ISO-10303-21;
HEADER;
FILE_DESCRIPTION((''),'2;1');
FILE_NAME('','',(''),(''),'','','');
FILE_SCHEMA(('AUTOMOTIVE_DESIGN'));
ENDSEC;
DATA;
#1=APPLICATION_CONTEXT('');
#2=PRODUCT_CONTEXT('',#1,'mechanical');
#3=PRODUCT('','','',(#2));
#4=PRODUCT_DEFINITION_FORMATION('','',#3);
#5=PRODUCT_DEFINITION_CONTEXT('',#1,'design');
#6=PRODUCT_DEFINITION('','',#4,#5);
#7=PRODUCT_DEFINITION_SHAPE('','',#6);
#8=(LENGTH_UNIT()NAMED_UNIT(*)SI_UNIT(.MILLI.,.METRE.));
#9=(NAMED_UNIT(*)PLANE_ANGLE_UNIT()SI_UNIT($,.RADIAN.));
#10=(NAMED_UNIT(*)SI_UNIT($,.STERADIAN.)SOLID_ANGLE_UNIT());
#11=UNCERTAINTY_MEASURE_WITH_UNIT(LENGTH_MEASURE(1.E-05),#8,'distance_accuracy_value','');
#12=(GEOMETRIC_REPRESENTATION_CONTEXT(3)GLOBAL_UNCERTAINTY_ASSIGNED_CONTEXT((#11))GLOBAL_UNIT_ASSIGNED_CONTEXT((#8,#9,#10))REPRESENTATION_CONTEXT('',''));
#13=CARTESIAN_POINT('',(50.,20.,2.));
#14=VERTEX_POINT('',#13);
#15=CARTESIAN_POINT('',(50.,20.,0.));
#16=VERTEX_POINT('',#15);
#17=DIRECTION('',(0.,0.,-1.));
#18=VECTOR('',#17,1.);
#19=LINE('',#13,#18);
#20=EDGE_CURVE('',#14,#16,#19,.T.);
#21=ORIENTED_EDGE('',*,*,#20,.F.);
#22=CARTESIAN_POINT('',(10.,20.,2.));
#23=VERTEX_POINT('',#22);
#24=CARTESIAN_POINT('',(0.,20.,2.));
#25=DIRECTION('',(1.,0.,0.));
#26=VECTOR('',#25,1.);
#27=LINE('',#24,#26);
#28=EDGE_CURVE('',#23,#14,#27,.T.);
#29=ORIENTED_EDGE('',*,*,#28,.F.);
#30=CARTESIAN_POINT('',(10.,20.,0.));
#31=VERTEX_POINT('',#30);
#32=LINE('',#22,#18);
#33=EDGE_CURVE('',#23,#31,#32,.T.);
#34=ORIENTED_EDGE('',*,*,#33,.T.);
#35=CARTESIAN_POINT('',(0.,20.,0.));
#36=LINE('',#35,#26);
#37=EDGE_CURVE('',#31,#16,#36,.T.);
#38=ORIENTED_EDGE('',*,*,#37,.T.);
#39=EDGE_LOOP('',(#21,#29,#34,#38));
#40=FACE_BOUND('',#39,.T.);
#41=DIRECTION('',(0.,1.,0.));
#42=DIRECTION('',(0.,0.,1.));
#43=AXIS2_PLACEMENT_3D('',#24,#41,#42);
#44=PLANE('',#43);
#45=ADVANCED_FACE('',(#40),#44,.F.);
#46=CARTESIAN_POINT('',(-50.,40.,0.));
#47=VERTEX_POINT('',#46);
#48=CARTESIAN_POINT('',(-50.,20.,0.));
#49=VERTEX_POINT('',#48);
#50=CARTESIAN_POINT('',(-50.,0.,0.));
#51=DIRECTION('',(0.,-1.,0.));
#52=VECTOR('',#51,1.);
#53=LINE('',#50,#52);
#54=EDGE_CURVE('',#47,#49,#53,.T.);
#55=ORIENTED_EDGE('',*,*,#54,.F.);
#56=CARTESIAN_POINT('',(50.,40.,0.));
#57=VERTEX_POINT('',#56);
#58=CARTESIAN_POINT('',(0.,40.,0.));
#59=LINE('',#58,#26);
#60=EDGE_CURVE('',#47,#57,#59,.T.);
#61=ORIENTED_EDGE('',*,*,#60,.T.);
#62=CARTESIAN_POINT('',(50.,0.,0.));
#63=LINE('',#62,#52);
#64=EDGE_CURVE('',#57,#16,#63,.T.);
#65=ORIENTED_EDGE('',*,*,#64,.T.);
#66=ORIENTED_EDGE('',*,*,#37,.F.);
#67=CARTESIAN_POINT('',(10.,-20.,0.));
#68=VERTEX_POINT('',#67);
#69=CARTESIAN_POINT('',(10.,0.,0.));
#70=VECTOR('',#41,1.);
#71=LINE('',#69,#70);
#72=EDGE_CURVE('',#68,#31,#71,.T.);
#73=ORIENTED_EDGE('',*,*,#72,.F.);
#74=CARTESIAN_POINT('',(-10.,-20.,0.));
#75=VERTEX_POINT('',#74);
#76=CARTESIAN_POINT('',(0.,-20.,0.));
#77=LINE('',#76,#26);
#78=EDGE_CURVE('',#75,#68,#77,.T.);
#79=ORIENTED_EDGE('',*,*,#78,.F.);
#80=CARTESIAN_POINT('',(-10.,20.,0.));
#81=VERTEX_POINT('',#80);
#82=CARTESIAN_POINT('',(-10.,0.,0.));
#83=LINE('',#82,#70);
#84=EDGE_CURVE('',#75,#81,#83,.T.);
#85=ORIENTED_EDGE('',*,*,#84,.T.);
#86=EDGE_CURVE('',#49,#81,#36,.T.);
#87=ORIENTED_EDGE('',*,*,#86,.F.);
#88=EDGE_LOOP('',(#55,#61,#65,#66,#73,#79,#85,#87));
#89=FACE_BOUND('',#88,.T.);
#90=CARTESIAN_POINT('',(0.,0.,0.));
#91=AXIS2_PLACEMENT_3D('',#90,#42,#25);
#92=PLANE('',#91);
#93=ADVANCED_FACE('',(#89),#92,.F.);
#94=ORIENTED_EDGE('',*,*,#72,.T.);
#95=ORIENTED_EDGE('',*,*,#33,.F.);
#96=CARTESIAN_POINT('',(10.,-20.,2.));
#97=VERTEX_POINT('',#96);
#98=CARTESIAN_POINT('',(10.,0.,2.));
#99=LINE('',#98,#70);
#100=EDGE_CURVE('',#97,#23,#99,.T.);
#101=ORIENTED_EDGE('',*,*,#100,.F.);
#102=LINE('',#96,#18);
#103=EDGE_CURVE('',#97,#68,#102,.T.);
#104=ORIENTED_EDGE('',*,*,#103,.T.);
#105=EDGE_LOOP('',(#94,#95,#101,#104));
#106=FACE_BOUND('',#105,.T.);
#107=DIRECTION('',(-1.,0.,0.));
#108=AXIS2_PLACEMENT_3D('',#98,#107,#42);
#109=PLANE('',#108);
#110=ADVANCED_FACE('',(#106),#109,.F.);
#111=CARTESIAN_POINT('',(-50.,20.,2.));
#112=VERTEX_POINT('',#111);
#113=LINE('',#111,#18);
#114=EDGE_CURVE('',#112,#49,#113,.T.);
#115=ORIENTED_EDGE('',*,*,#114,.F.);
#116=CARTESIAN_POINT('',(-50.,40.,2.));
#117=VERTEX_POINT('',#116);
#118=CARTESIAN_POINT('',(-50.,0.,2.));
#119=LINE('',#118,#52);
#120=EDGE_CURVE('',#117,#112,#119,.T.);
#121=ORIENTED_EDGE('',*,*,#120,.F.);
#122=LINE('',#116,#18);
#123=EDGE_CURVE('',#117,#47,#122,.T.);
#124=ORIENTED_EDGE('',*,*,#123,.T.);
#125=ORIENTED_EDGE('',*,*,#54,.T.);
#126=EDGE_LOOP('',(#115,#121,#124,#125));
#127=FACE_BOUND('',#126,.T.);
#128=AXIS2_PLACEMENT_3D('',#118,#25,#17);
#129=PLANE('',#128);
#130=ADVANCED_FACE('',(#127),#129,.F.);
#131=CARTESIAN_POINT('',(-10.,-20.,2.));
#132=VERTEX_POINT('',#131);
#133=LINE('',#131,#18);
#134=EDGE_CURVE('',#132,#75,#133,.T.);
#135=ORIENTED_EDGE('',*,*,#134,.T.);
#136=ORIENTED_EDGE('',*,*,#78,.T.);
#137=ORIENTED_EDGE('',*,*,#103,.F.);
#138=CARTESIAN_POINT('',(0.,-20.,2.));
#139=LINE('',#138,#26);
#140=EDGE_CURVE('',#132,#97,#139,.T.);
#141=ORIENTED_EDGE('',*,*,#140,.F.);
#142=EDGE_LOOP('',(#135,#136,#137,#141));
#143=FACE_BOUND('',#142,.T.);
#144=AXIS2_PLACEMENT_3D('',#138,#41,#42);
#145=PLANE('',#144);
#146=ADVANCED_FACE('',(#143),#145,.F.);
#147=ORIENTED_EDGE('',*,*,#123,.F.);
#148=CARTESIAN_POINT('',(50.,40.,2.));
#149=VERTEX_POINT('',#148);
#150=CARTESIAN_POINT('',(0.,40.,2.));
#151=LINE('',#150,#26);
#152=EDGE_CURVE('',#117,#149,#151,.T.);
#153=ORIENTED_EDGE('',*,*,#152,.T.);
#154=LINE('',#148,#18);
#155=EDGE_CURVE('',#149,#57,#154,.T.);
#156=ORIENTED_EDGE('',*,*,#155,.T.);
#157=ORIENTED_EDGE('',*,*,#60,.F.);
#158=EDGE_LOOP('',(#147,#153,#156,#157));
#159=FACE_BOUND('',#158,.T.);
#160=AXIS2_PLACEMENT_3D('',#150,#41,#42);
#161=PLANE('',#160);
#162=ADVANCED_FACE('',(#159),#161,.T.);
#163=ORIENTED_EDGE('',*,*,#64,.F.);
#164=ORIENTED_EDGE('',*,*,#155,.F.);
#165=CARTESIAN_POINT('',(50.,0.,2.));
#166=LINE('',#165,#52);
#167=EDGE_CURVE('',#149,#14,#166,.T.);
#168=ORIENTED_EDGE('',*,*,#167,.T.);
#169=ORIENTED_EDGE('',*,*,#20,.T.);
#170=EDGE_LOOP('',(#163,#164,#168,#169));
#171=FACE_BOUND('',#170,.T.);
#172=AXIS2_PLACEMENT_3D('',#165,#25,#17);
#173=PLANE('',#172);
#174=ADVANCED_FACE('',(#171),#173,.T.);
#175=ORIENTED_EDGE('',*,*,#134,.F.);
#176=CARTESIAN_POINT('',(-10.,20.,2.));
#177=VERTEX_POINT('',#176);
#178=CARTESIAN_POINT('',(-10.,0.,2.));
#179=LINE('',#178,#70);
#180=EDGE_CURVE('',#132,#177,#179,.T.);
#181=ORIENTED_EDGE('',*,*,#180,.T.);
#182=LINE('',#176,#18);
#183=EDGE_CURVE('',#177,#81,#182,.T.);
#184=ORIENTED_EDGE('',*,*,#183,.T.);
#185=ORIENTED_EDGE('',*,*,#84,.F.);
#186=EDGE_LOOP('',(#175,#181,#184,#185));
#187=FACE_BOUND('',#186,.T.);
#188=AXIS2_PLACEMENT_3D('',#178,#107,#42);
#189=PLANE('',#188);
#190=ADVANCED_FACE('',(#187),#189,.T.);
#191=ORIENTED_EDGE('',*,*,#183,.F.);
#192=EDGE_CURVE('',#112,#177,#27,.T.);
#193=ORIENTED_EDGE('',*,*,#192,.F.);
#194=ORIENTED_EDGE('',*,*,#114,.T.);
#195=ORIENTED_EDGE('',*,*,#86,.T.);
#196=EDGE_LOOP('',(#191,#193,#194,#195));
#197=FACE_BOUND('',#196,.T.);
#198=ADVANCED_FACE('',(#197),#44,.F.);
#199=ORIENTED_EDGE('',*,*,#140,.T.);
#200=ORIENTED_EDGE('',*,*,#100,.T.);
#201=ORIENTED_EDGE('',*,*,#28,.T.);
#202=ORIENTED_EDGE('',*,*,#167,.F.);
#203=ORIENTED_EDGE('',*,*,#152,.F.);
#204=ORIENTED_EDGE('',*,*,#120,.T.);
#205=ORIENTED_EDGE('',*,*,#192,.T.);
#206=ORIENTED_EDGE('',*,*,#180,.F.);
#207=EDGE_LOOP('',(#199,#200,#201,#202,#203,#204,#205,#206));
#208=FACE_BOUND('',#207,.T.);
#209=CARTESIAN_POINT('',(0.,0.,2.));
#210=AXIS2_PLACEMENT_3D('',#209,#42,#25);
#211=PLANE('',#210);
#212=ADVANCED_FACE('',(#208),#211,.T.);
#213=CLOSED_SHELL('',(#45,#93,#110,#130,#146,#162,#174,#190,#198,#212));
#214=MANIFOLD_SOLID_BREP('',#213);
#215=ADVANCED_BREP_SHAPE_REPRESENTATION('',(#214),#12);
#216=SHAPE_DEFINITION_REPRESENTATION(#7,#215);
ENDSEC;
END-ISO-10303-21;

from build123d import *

# Parameters (mm, degrees)
SKETCH1_W           = 20
SKETCH1_H           = 40
BOSS_EXTRUDE1_DEPTH = 2


with BuildPart() as part:
    # Sketch1 → Boss-Extrude1 (new body)
    with BuildSketch(Plane.XY):
        Polygon((-50, 20), (-10, 20), (10, 20), (50, 20), (50, 40), (-50, 40), align=None)
        Rectangle(SKETCH1_W, SKETCH1_H)
    extrude(amount=BOSS_EXTRUDE1_DEPTH)


solid = part.part
